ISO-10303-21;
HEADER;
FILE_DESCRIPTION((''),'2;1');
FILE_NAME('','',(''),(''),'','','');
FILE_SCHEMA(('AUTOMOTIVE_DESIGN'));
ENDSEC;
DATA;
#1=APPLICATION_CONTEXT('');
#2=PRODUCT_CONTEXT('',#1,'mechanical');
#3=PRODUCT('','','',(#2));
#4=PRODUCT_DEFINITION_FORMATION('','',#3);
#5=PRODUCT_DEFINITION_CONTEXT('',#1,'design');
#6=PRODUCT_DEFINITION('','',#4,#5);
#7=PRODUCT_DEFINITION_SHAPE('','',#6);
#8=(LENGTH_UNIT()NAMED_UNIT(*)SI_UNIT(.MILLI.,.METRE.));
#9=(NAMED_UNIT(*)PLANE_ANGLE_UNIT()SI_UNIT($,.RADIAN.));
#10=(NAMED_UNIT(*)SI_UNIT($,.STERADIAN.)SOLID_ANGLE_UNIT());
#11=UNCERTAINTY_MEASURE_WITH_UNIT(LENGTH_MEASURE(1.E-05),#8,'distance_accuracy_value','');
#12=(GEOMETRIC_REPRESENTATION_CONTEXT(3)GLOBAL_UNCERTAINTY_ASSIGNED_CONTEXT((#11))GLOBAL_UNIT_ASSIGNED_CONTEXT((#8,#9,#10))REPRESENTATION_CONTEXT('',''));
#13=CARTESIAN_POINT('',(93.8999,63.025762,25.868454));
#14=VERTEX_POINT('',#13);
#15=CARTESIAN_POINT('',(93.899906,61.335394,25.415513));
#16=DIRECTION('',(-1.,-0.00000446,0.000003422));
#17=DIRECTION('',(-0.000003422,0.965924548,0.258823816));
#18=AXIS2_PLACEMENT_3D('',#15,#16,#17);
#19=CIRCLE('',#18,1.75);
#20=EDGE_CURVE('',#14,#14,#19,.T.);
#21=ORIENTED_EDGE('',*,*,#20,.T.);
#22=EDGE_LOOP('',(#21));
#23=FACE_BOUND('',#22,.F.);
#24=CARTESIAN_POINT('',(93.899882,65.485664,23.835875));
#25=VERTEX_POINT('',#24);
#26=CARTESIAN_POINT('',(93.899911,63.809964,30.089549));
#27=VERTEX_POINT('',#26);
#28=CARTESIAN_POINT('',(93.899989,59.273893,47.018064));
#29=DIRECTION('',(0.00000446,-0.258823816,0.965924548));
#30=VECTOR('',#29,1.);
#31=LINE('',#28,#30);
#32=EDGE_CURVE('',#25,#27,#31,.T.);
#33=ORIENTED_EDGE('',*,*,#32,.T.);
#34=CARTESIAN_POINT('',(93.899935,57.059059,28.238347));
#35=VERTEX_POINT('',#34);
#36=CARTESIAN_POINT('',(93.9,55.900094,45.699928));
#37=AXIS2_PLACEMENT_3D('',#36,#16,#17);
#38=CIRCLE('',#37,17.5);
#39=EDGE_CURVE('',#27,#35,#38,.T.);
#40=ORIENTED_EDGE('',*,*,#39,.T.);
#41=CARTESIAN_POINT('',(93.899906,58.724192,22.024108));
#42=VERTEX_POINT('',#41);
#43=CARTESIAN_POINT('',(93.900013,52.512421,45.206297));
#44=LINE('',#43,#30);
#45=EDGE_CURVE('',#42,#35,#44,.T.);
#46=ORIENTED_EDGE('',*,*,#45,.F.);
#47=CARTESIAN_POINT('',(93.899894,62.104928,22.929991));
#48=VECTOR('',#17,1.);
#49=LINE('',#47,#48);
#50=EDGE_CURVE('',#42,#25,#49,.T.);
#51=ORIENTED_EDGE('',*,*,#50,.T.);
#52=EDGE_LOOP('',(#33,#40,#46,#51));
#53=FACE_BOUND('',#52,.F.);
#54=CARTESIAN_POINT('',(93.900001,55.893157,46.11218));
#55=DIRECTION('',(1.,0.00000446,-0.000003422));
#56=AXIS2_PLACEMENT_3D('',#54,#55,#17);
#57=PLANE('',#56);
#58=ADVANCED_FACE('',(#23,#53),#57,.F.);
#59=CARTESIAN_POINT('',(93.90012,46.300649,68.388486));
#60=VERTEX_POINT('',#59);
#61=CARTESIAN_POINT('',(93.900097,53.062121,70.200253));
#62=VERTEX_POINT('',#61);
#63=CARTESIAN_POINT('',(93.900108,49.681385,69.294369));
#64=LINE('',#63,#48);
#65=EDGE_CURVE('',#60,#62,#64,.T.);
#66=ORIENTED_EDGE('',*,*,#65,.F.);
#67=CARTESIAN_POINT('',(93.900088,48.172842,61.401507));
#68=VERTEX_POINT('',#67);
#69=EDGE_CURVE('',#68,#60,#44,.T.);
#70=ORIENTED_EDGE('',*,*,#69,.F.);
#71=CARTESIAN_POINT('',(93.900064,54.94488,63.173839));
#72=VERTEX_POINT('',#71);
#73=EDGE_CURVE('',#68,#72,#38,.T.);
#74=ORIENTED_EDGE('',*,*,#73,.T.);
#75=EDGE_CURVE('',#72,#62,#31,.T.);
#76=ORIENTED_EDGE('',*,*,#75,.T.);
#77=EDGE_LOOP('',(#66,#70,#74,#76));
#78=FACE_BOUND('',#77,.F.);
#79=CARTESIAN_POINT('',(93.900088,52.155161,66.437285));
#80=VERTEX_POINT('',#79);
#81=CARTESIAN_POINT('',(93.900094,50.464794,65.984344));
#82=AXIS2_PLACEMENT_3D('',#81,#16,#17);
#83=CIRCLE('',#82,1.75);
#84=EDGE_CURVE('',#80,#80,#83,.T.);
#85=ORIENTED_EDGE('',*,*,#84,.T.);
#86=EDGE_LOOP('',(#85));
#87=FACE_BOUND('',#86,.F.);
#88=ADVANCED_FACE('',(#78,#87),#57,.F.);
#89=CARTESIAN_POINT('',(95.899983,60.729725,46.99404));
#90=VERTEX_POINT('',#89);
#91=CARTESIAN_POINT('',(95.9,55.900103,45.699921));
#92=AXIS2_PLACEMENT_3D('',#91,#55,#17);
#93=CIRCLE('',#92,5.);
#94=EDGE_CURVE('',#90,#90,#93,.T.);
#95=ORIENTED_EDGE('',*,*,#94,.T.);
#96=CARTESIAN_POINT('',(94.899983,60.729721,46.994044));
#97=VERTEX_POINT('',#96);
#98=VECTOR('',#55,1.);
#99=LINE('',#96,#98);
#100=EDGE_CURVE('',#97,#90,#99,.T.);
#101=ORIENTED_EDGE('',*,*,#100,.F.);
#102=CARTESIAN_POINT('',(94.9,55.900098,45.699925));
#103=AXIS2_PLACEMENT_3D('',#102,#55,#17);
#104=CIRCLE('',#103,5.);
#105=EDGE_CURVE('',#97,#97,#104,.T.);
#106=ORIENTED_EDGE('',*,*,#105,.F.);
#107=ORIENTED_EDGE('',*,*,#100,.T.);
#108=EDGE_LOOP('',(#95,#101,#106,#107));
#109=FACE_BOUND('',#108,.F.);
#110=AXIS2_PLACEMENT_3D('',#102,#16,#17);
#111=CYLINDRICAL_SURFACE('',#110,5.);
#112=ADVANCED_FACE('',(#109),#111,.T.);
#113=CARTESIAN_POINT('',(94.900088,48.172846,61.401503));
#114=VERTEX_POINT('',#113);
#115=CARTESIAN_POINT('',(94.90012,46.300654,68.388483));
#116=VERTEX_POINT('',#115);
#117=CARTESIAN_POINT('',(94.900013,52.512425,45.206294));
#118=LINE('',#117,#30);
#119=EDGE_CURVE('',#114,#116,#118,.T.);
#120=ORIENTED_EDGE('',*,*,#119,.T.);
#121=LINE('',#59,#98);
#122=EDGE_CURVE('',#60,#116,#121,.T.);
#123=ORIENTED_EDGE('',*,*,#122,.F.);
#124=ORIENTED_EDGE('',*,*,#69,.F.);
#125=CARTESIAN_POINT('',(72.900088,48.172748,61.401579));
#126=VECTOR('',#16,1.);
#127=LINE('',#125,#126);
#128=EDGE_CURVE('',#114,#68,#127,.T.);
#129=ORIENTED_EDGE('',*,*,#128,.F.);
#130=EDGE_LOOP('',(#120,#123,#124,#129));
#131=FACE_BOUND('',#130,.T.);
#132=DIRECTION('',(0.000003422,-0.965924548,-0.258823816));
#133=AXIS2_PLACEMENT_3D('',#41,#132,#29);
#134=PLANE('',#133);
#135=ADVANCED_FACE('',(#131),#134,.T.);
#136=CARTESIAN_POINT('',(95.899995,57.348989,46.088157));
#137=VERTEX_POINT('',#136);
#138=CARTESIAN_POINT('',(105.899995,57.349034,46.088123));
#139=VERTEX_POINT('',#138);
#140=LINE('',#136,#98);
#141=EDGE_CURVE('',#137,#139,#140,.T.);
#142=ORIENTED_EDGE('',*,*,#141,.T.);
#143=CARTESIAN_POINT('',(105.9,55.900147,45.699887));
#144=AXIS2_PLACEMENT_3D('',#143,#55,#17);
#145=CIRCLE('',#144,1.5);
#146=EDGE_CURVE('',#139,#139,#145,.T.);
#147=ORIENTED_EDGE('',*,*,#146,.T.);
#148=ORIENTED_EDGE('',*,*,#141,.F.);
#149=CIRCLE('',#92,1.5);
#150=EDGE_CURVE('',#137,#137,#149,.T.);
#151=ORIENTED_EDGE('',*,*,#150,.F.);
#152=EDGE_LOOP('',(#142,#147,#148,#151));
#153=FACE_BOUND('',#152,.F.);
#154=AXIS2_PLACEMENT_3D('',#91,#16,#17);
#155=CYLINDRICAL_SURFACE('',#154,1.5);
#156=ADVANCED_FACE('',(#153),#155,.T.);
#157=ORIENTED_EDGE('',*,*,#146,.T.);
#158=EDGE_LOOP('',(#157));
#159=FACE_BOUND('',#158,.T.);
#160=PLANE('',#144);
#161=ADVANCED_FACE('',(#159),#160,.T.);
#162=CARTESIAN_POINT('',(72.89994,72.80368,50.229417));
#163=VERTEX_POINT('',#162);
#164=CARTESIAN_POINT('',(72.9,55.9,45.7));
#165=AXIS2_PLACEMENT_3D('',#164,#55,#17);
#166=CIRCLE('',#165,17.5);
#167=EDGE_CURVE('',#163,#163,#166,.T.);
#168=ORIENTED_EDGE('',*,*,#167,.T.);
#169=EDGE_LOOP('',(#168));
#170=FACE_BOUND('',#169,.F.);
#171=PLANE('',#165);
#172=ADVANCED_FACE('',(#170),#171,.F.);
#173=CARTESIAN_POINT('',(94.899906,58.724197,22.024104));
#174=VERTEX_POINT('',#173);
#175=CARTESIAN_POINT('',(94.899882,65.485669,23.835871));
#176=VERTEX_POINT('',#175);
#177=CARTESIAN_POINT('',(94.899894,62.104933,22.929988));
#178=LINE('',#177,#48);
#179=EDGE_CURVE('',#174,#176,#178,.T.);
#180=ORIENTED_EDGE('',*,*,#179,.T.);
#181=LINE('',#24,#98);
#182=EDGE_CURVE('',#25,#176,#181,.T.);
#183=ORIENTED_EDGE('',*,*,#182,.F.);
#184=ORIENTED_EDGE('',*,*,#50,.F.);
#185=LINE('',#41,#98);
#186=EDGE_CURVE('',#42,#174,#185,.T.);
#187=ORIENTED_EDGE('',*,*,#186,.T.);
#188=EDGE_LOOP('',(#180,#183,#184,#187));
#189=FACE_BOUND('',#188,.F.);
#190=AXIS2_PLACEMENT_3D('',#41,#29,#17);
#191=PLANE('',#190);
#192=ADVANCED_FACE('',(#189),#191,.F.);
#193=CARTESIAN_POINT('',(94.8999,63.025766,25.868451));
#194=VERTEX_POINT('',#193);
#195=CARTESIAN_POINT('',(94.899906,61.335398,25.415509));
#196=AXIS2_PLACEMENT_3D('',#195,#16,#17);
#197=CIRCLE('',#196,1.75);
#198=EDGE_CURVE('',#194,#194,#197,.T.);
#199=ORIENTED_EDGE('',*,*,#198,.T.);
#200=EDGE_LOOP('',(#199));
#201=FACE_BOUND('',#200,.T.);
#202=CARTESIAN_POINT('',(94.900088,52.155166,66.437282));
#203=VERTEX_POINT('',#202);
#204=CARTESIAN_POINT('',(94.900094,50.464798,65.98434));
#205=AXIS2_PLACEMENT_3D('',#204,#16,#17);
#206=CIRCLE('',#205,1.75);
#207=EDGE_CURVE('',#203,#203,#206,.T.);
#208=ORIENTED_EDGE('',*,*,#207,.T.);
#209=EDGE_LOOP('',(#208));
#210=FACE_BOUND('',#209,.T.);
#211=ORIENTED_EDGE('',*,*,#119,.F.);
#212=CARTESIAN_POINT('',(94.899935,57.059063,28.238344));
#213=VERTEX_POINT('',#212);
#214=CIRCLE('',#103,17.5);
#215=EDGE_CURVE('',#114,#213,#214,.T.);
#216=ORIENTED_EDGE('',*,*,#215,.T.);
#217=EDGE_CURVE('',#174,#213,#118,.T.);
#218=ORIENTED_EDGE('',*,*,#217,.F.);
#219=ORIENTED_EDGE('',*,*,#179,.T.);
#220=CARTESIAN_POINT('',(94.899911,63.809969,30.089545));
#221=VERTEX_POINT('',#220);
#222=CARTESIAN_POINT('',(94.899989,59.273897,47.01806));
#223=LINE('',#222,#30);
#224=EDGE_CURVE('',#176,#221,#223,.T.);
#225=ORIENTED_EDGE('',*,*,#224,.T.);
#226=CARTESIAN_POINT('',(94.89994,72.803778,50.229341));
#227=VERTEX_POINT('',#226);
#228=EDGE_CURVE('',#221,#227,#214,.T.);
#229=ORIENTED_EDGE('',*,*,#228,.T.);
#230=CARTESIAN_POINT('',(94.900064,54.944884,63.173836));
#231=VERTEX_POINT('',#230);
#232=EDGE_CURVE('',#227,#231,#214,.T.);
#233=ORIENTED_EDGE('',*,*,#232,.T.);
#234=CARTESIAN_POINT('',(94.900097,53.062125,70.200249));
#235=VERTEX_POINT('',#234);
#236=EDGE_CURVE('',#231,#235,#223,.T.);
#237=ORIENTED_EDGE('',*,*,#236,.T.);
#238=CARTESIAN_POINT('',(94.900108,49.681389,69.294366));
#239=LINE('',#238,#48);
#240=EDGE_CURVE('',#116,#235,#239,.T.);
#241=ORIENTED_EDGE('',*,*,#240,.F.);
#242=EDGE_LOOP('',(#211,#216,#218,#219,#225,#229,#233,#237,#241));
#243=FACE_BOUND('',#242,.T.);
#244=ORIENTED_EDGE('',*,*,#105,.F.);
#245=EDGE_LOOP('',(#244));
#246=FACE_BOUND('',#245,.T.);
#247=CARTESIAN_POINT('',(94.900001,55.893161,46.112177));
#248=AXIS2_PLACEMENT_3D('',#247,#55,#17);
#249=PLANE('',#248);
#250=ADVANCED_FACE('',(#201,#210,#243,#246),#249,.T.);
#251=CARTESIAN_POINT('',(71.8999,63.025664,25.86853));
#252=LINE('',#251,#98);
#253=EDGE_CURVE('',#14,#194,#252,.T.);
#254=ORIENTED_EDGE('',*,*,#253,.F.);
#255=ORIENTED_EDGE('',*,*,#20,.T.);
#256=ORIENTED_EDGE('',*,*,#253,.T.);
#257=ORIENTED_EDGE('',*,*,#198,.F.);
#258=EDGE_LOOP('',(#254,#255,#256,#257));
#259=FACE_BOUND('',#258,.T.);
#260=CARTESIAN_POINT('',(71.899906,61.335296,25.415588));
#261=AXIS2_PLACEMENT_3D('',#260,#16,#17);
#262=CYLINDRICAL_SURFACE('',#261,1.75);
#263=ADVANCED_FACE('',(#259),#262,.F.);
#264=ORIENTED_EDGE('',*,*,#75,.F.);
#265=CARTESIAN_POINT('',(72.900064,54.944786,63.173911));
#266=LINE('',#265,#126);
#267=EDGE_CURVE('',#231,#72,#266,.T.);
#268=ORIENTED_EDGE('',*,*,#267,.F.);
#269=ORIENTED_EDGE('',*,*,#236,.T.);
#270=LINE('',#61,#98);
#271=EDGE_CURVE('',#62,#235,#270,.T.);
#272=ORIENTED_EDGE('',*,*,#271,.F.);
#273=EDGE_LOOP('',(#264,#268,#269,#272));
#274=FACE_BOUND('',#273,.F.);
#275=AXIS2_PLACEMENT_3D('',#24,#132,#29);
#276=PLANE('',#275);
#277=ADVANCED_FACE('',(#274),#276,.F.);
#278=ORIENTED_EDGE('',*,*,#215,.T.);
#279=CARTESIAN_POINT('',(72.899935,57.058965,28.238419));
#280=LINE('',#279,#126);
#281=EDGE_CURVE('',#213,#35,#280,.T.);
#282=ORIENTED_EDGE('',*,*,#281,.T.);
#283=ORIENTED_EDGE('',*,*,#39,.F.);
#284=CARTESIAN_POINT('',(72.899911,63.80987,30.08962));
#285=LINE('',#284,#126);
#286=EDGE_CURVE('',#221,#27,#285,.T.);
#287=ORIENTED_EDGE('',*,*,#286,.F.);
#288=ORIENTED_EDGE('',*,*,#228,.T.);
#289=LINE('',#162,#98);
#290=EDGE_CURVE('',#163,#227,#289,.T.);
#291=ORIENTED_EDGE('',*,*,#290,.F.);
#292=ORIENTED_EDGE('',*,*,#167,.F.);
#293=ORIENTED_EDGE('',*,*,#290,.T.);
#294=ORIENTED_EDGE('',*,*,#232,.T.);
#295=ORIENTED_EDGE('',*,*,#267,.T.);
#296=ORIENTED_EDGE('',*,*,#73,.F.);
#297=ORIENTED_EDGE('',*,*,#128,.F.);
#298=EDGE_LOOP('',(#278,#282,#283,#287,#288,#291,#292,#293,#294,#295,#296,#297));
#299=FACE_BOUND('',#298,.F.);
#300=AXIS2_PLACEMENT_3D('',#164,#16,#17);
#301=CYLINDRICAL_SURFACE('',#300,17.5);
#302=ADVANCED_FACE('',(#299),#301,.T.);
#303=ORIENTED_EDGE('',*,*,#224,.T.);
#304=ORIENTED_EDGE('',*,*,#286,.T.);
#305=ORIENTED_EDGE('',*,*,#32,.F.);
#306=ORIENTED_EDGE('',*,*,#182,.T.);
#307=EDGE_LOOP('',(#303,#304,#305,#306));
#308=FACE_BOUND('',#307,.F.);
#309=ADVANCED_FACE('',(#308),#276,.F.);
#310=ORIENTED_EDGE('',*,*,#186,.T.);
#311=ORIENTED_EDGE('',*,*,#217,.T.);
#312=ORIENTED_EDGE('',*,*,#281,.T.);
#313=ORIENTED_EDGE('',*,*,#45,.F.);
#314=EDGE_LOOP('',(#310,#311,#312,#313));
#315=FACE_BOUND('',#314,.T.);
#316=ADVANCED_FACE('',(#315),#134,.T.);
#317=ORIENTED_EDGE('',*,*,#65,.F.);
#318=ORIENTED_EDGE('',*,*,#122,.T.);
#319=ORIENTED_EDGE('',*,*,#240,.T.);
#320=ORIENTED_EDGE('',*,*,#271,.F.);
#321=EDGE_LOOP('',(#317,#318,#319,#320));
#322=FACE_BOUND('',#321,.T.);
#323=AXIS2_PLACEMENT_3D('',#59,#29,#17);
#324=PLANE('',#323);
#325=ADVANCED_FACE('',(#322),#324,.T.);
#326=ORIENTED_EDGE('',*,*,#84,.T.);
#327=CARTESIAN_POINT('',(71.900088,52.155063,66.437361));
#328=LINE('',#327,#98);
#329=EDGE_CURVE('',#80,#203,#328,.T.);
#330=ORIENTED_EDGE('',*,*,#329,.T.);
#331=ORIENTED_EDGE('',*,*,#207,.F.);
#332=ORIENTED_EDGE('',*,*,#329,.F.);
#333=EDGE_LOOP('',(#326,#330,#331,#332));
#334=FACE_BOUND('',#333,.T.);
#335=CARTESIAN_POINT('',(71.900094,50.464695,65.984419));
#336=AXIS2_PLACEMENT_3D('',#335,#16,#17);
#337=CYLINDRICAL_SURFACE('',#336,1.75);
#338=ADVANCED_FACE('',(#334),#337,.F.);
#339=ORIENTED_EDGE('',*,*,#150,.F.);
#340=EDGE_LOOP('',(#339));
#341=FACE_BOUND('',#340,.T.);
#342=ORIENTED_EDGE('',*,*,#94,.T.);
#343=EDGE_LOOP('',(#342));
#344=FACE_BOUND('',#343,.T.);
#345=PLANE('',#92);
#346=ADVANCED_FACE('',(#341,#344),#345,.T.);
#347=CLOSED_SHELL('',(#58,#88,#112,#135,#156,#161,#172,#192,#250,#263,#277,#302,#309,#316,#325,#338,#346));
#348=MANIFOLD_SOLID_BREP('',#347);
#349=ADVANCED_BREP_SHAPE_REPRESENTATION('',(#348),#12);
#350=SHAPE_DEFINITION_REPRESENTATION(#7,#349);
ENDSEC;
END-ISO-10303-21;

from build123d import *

# Parameters (mm, degrees)
CYLINDER129_R             = 1.75
CYLINDER129_DEPTH         = 26
CYLINDER131_R             = 1.75
CYLINDER131_DEPTH         = 26
BOX066_W                  = 7
BOX066_H                  = 48
BOX066_DEPTH              = 1
CYLINDER132_R             = 1.5
CYLINDER132_DEPTH         = 10
CYLINDER130_R             = 5
CYLINDER130_DEPTH         = 1
CYLINDER128_R             = 17.5
CYLINDER128_DEPTH         = 22
FUSION092_ROLL_ANGLE      = 90.000203
FUSION092_PITCH_ANGLE     = -15.000283
FUSION092_PLACEMENT_ANGLE = 90.000203


with BuildPart() as cylinder129:
    # Cylinder129 → Cylinder129 (new body)
    with BuildSketch(Plane(origin=(0, 21, 0), x_dir=(1, 0, 0), z_dir=(0, 0, 1))):
        Circle(CYLINDER129_R)
    extrude(amount=CYLINDER129_DEPTH)


with BuildPart() as cylinder131:
    # Cylinder131 → Cylinder131 (new body)
    with BuildSketch(Plane(origin=(0, -21, 0), x_dir=(1, 0, 0), z_dir=(0, 0, 1))):
        Circle(CYLINDER131_R)
    extrude(amount=CYLINDER131_DEPTH)


with BuildPart() as cut183:
    # Box066 → Box066 (new body)
    with BuildSketch(Plane(origin=(-3.4, -23.6, 22), x_dir=(1, 0, 0), z_dir=(0, 0, 1))):
        with Locations((3.5, 24)):
            Rectangle(BOX066_W, BOX066_H)
    extrude(amount=BOX066_DEPTH)

    # Cut182: cut Cylinder131
    add(cylinder131.part, mode=Mode.SUBTRACT)

    # Cut183: cut Cylinder129
    add(cylinder129.part, mode=Mode.SUBTRACT)


with BuildPart() as cut183_1:
    # Cut183 placement: moved
    add(cut183.part.moved(Location((0, 0, -1))))


with BuildPart() as cylinder132:
    # Cylinder132 → Cylinder132 (new body)
    with BuildSketch(Plane.XY.offset(23)):
        Circle(CYLINDER132_R)
    extrude(amount=CYLINDER132_DEPTH)


with BuildPart() as cylinder130:
    # Cylinder130 → Cylinder130 (new body)
    with BuildSketch(Plane.XY.offset(22)):
        Circle(CYLINDER130_R)
    extrude(amount=CYLINDER130_DEPTH)


with BuildPart() as fusion092:
    # Cylinder128 → Cylinder128 (new body)
    with BuildSketch(Plane.XY):
        Circle(CYLINDER128_R)
    extrude(amount=CYLINDER128_DEPTH)

    # Fusion092: union Cut183, Cylinder132, Cylinder130
    add(cut183_1.part)
    add(cylinder132.part)
    add(cylinder130.part)


with BuildPart() as fusion092_1:
    # Fusion092 roll: moved
    add(fusion092.part.rotate(Axis((0, 0, 0), (1, 0, 0)), FUSION092_ROLL_ANGLE))


with BuildPart() as fusion092_2:
    # Fusion092 pitch: moved
    add(fusion092_1.part.rotate(Axis((0, 0, 0), (0, 1, 0)), FUSION092_PITCH_ANGLE))


with BuildPart() as fusion092_3:
    # Fusion092 placement: moved
    add(fusion092_2.part.moved(Location((72.9, 55.9, 45.7))).rotate(Axis((72.9, 55.9, 45.7), (0, 0, 1)), FUSION092_PLACEMENT_ANGLE))


solid = fusion092_3.part
